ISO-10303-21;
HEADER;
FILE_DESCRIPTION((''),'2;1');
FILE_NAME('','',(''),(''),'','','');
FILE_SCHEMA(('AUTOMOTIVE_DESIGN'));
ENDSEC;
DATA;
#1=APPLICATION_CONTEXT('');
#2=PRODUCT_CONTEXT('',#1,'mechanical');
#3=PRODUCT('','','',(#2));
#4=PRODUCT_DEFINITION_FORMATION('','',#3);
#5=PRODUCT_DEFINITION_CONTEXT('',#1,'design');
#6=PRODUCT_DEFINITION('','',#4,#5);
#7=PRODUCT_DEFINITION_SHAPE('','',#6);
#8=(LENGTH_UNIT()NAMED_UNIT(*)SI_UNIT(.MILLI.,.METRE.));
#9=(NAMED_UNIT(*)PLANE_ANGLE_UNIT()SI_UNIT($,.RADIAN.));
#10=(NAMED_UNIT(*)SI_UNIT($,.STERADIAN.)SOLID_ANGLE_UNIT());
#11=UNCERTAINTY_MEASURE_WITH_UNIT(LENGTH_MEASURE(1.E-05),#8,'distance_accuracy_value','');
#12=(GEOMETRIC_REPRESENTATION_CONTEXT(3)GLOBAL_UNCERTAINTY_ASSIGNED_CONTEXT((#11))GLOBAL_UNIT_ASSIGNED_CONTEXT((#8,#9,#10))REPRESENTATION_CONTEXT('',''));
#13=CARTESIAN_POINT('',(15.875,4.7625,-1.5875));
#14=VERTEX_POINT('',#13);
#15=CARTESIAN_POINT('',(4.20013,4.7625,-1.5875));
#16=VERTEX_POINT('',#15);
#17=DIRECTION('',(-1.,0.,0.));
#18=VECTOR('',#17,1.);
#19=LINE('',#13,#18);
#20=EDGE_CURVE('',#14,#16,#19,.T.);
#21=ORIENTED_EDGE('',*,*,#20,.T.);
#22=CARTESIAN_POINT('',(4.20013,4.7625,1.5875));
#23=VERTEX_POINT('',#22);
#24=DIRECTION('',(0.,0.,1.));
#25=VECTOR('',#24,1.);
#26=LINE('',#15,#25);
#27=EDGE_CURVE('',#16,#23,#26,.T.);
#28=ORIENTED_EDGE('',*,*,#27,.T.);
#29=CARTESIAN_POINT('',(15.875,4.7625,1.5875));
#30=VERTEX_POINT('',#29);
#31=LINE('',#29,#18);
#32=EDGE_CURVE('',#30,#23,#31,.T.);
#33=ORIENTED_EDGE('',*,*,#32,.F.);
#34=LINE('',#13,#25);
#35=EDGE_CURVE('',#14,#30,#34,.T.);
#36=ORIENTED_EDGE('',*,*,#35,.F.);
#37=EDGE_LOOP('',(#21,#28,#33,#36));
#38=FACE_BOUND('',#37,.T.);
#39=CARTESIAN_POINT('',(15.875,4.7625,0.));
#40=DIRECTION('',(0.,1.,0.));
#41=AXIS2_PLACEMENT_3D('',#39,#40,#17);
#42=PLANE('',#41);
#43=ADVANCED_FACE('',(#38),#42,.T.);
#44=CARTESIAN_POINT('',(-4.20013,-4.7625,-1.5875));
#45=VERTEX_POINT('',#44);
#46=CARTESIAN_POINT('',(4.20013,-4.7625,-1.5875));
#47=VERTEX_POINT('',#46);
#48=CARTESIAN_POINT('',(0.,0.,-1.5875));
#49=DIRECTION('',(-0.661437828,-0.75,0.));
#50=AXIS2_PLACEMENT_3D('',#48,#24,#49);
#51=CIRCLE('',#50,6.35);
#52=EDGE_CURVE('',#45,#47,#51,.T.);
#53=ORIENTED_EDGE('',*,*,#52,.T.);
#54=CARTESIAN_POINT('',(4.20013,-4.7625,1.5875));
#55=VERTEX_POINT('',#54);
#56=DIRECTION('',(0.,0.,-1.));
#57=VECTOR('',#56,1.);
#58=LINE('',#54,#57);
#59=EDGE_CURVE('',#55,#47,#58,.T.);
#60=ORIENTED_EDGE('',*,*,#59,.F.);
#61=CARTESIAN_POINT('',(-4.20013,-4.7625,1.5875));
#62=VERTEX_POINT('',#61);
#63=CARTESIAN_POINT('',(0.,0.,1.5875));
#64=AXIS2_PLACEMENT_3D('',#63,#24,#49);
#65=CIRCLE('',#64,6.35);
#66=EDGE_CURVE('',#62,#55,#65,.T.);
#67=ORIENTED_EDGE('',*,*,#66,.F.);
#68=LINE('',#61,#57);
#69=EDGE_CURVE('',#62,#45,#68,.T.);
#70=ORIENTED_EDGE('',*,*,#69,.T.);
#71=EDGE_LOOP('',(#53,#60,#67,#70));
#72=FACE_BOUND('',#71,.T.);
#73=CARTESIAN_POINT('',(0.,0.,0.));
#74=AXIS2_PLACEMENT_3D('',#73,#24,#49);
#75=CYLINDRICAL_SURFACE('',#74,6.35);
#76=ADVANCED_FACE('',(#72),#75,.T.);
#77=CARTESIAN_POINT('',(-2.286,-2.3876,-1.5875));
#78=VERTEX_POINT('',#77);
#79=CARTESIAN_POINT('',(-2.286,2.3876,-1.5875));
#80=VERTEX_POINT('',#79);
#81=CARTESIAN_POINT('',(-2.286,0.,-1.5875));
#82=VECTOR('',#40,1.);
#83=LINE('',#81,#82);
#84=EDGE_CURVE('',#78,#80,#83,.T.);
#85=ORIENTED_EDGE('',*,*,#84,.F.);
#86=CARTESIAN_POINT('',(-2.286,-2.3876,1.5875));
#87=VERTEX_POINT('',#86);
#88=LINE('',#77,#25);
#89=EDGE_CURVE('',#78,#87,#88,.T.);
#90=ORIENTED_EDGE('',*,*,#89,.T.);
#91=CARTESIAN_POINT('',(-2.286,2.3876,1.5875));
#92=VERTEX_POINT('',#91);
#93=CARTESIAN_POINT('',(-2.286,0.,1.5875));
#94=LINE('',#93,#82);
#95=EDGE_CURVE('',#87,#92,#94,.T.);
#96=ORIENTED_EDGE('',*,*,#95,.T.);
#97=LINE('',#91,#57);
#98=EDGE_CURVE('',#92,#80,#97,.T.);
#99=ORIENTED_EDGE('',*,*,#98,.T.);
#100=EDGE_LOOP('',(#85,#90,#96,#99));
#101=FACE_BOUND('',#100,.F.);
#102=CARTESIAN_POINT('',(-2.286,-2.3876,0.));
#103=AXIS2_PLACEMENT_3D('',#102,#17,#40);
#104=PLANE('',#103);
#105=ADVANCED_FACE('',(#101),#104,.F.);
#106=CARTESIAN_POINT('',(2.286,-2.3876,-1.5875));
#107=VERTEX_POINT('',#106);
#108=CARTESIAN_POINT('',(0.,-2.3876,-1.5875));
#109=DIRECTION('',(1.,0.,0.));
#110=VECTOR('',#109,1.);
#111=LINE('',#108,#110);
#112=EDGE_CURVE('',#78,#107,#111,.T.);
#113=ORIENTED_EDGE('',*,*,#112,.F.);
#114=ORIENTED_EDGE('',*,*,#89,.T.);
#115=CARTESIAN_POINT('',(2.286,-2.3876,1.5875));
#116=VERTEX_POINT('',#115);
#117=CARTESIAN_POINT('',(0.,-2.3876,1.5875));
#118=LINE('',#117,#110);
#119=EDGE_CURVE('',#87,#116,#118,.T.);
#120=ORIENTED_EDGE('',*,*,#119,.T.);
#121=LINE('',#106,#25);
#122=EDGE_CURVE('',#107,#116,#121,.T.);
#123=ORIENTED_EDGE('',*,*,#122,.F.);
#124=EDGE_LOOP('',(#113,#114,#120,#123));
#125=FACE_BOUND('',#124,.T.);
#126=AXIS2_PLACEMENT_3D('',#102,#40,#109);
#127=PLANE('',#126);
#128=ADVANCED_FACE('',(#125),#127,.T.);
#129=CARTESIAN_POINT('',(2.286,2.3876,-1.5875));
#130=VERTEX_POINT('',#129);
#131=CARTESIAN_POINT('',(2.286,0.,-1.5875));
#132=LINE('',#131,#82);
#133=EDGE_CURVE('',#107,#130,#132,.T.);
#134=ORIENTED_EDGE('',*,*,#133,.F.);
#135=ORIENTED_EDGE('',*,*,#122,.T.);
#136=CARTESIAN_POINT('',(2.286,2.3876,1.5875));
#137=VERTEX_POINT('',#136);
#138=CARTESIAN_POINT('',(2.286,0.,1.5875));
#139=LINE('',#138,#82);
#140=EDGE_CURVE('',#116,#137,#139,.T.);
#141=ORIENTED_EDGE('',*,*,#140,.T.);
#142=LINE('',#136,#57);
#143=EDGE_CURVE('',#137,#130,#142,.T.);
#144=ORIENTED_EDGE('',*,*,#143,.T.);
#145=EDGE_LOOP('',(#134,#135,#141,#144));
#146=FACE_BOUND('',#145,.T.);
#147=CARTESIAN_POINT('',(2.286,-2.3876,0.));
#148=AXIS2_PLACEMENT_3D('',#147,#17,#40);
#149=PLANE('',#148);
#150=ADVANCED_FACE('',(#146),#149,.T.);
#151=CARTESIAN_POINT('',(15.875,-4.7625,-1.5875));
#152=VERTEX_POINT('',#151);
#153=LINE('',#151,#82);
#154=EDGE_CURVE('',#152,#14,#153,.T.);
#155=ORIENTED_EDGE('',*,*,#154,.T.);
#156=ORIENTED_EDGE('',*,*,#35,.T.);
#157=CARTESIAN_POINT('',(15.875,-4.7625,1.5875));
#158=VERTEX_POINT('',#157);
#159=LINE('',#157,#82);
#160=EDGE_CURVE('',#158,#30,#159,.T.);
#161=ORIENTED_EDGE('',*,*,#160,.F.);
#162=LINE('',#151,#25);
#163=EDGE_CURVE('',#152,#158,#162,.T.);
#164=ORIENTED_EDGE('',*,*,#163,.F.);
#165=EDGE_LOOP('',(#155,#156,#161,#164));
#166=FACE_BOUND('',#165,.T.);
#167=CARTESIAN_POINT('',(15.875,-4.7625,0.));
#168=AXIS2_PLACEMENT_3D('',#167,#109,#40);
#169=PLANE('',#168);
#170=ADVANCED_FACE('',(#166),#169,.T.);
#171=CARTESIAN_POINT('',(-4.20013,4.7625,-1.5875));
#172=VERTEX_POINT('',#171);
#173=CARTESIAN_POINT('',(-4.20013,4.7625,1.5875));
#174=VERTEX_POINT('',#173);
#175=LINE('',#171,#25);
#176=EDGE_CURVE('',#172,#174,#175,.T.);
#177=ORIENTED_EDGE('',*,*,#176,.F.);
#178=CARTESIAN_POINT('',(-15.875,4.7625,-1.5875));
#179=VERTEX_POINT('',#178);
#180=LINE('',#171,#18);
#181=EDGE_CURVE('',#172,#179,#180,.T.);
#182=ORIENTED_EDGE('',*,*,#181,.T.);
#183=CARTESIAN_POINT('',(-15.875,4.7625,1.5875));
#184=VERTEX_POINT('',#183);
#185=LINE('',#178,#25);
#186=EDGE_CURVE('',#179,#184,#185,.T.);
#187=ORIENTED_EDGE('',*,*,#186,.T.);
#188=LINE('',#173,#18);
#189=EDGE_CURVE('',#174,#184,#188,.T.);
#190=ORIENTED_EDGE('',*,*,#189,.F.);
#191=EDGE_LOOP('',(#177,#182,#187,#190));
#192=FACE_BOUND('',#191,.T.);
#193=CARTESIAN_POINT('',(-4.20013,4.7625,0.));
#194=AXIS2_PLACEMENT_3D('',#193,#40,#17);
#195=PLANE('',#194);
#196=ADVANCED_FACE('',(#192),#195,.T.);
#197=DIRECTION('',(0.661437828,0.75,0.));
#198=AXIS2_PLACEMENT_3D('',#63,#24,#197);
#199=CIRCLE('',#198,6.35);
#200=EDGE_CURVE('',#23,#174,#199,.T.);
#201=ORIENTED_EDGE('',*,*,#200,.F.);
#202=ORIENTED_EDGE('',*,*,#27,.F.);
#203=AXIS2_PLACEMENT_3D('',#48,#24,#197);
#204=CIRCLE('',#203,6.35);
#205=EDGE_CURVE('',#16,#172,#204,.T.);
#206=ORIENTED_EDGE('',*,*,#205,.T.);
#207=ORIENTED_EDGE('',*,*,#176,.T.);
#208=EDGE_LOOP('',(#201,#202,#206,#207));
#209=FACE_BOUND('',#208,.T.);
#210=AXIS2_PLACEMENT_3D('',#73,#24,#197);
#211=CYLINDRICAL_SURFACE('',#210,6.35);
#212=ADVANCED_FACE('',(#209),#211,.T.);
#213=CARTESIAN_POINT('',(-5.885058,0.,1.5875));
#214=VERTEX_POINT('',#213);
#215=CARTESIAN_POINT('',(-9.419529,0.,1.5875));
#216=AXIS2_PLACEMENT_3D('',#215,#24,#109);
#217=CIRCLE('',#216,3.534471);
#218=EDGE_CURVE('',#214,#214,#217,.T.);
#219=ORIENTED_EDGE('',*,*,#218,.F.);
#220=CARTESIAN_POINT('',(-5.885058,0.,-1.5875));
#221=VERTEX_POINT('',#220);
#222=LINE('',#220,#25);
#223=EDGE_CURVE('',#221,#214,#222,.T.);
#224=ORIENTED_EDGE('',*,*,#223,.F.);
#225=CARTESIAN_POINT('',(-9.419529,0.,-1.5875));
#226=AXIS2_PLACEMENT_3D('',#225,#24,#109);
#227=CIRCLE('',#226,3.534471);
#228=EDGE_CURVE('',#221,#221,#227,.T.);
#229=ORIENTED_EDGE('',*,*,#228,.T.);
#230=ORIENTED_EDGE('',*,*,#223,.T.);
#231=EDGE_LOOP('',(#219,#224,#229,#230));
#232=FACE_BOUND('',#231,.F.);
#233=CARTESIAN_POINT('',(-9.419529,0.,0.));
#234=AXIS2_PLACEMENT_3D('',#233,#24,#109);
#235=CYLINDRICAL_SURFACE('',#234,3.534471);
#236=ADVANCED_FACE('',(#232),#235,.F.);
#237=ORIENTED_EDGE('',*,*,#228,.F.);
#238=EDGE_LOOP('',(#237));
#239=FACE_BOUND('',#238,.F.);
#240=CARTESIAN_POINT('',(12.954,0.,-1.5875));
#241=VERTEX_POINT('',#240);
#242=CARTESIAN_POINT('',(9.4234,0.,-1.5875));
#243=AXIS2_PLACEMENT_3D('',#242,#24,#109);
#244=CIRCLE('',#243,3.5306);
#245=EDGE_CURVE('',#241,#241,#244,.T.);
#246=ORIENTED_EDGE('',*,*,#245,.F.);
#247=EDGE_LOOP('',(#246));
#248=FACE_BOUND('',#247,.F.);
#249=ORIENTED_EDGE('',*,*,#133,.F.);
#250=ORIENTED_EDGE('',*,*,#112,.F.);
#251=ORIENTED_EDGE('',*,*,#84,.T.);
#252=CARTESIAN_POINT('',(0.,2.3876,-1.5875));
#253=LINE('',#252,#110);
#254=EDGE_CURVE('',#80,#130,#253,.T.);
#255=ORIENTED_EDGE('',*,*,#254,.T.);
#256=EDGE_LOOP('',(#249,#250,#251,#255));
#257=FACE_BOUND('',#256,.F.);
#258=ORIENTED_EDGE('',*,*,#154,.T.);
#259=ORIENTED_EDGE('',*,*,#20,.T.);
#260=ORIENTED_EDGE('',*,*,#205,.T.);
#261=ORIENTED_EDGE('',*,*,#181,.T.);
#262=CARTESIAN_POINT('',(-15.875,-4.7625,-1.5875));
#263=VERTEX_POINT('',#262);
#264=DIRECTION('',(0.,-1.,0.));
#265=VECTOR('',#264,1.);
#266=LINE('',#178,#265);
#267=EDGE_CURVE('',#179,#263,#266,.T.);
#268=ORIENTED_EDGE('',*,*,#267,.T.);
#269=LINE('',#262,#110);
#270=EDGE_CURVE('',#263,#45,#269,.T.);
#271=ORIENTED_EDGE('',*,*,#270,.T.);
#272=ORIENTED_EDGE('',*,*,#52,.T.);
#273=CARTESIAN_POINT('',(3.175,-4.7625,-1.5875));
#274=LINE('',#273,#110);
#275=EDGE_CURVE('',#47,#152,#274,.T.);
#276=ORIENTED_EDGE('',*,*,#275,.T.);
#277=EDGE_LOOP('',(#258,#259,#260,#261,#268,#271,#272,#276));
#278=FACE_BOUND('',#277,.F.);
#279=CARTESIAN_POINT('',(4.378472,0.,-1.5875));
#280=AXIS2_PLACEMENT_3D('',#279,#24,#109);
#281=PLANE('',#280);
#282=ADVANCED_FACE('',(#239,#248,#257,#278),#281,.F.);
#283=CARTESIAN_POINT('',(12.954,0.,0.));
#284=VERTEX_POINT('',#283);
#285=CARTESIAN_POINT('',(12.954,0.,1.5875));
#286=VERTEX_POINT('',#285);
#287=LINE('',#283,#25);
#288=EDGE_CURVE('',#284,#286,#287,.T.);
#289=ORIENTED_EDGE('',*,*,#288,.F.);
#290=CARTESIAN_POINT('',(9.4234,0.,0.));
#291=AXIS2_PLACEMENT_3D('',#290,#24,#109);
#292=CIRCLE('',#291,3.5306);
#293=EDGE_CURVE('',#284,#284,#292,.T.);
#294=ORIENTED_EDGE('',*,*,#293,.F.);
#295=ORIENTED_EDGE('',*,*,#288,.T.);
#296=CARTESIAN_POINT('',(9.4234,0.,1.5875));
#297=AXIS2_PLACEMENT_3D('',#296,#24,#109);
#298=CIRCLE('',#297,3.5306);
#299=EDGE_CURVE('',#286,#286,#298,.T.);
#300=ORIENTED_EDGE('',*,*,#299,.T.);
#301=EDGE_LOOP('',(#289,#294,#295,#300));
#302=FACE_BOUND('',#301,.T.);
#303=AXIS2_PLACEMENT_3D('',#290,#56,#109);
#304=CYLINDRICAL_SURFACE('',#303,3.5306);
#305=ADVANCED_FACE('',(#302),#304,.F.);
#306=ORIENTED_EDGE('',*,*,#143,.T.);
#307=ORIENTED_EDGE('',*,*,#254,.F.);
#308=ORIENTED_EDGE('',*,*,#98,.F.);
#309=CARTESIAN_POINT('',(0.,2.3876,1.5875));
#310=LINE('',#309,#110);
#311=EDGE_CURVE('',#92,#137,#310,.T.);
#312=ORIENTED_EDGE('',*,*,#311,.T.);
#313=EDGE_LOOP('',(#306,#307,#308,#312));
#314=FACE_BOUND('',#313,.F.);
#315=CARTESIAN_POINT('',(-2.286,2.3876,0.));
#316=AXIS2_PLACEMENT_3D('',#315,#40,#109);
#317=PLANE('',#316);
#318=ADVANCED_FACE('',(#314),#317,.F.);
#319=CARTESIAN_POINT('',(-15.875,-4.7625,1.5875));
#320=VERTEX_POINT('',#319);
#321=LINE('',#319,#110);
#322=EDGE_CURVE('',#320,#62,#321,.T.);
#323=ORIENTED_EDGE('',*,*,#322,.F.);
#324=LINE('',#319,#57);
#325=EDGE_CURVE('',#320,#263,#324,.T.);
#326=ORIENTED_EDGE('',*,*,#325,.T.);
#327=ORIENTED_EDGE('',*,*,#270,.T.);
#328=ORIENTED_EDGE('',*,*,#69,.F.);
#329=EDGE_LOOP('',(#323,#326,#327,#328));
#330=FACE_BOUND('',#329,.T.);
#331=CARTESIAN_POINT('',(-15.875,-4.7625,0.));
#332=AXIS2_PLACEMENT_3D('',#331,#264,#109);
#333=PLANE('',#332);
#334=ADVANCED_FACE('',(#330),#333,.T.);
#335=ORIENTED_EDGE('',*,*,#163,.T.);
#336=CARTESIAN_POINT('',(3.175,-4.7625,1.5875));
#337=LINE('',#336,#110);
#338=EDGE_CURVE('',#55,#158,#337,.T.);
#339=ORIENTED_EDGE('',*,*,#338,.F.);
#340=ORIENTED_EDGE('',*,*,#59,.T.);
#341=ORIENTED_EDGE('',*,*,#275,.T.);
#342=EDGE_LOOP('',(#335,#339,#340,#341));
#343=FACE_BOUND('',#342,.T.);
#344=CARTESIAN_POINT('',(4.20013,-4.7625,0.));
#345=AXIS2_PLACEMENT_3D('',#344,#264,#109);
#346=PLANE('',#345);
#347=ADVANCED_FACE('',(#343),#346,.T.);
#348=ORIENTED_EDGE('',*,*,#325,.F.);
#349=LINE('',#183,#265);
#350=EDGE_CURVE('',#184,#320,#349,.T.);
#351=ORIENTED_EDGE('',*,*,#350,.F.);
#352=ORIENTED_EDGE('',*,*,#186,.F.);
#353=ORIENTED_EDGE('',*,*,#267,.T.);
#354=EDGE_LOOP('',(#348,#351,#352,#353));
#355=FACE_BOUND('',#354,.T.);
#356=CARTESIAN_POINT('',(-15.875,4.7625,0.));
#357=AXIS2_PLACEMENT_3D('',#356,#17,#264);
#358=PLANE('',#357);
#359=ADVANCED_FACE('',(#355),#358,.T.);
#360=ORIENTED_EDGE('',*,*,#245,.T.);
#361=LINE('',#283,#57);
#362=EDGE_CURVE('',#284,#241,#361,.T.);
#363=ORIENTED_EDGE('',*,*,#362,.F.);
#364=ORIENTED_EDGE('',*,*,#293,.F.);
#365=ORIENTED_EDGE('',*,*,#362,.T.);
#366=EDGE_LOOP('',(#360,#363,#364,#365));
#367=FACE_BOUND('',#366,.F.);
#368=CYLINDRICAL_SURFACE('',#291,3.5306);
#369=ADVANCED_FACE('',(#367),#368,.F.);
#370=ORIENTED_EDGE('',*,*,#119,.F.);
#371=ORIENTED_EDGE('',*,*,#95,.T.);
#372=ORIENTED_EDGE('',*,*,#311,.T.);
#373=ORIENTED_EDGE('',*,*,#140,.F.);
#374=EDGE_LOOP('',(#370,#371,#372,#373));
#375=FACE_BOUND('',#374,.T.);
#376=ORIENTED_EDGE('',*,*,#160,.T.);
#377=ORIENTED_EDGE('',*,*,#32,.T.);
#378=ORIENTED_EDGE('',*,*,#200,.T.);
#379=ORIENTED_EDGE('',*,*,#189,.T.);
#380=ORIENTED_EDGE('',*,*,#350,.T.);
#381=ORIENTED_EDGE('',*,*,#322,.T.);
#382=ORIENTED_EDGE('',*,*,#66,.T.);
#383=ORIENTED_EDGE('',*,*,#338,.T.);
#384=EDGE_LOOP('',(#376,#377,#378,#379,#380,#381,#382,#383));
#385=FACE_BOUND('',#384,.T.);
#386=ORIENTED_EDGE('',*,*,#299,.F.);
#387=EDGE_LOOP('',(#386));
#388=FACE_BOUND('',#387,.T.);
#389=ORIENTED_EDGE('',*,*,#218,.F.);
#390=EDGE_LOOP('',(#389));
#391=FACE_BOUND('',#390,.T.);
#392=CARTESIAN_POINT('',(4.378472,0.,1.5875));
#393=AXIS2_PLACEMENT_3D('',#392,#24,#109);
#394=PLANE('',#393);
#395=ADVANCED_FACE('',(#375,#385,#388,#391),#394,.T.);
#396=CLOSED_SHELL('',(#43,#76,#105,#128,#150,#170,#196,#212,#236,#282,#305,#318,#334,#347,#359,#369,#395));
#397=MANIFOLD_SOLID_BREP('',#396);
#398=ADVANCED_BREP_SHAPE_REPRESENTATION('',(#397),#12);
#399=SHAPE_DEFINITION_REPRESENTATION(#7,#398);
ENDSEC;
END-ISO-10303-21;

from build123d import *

# Parameters (mm, degrees)
F2_DEPTH = 1.5875
F1_W     = 4.572
F1_H     = 4.7752
F1_R     = 3.5306
F1_R_2   = 3.5344711505
F3_DEPTH = 1.5875


with BuildPart() as f2:
    # F0 (on Top) → F2 (new body, symmetric)
    with BuildSketch(Plane.XY):
        with BuildLine():
            ThreePointArc((4.2001302063, -4.7625), (5.7876302063, -2.6126302063), (6.35, 0))
            ThreePointArc((6.35, 0), (5.7876302063, 2.6126302063), (4.2001302063, 4.7625))
            Line((4.2001302063, 4.7625), (3.175, 4.7625))
            Line((3.175, 4.7625), (3.175, -4.7625))
            Line((3.175, -4.7625), (4.2001302063, -4.7625))
        make_face()
        with BuildLine():
            ThreePointArc((4.2001302063, 4.7625), (5.7876302063, 2.6126302063), (6.35, 0))
            ThreePointArc((6.35, 0), (5.7876302063, -2.6126302063), (4.2001302063, -4.7625))
            Line((4.2001302063, -4.7625), (15.875, -4.7625))
            Line((15.875, -4.7625), (15.875, 4.7625))
            Line((15.875, 4.7625), (4.2001302063, 4.7625))
        make_face()
        with BuildLine():
            Line((3.175, 4.7625), (4.2001302063, 4.7625))
            ThreePointArc((4.2001302063, 4.7625), (0, 6.35), (-4.2001302063, 4.7625))
            Line((-4.2001302063, 4.7625), (-3.175, 4.7625))
            Line((-3.175, 4.7625), (-3.175, -4.7625))
            Line((-3.175, -4.7625), (-4.2001302063, -4.7625))
            ThreePointArc((-4.2001302063, -4.7625), (0, -6.35), (4.2001302063, -4.7625))
            Line((4.2001302063, -4.7625), (3.175, -4.7625))
            Line((3.175, -4.7625), (3.175, 4.7625))
        make_face()
        with BuildLine():
            Line((-3.175, 4.7625), (-4.2001302063, 4.7625))
            ThreePointArc((-4.2001302063, 4.7625), (-6.35, 0), (-4.2001302063, -4.7625))
            Line((-4.2001302063, -4.7625), (-3.175, -4.7625))
            Line((-3.175, -4.7625), (-3.175, 4.7625))
        make_face()
        with BuildLine():
            ThreePointArc((-4.2001302063, -4.7625), (-6.35, 0), (-4.2001302063, 4.7625))
            Line((-4.2001302063, 4.7625), (-15.875, 4.7625))
            Line((-15.875, 4.7625), (-15.875, -4.7625))
            Line((-15.875, -4.7625), (-4.2001302063, -4.7625))
        make_face()
    extrude(amount=F2_DEPTH, both=True)

    # F1 (on Top) → F3 (cut, symmetric)
    with BuildSketch(Plane.XY):
        Rectangle(F1_W, F1_H)
        with Locations((9.4234, 0)):
            Circle(F1_R)
        with Locations((-9.4195288495, 0)):
            Circle(F1_R_2)
    extrude(amount=F3_DEPTH, both=True, mode=Mode.SUBTRACT)


solid = f2.part
